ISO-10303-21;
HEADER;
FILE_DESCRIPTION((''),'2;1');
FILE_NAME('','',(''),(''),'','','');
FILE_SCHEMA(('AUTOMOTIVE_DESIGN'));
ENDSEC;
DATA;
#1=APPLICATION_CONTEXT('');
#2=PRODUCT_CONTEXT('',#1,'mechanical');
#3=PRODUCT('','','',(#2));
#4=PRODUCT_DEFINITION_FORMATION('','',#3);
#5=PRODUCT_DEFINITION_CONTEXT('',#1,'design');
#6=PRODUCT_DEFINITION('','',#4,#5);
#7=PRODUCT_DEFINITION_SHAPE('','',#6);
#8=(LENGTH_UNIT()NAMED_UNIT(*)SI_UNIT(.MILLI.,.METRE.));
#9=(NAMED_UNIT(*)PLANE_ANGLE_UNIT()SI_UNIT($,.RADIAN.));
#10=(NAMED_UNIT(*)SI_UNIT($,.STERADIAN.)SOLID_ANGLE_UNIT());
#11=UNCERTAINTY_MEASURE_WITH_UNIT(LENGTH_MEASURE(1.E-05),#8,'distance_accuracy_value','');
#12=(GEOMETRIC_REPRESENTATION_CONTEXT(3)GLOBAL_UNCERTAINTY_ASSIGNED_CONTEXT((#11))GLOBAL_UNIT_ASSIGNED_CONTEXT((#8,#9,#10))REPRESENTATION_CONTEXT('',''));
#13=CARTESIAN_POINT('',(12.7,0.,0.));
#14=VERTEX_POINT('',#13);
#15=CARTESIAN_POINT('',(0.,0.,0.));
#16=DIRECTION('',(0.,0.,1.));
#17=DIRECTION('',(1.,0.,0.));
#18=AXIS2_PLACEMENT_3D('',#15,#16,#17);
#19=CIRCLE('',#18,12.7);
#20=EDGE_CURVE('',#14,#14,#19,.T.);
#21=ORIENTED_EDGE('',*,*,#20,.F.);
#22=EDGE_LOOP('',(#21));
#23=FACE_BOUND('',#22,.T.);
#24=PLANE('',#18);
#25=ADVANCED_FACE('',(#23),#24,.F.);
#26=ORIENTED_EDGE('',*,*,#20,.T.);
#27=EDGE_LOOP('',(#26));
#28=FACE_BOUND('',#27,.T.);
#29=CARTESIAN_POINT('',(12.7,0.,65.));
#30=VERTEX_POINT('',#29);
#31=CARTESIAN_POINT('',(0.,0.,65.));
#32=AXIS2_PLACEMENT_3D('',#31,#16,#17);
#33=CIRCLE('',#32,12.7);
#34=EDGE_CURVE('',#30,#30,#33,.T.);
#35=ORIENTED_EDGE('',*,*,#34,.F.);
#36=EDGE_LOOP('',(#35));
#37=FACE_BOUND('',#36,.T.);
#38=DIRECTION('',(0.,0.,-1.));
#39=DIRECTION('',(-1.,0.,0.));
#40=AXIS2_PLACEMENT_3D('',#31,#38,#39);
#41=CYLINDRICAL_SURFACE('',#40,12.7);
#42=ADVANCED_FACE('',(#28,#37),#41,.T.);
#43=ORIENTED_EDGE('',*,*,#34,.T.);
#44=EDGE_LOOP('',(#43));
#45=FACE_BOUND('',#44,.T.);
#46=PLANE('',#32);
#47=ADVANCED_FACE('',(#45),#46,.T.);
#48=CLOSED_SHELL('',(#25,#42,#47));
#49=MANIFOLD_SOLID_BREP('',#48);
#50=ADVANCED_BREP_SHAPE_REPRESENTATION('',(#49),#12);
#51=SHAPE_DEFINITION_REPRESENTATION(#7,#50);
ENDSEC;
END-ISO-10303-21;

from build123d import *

# Parameters (mm, degrees)
ESBO_O1_R                = 12.7
RESSALTO_EXTRUS_O1_DEPTH = 65


with BuildPart() as part:
    # Esboço1 → Ressalto-extrusão1 (new body)
    with BuildSketch(Plane.XY):
        Circle(ESBO_O1_R)
    extrude(amount=RESSALTO_EXTRUS_O1_DEPTH)


solid = part.part
